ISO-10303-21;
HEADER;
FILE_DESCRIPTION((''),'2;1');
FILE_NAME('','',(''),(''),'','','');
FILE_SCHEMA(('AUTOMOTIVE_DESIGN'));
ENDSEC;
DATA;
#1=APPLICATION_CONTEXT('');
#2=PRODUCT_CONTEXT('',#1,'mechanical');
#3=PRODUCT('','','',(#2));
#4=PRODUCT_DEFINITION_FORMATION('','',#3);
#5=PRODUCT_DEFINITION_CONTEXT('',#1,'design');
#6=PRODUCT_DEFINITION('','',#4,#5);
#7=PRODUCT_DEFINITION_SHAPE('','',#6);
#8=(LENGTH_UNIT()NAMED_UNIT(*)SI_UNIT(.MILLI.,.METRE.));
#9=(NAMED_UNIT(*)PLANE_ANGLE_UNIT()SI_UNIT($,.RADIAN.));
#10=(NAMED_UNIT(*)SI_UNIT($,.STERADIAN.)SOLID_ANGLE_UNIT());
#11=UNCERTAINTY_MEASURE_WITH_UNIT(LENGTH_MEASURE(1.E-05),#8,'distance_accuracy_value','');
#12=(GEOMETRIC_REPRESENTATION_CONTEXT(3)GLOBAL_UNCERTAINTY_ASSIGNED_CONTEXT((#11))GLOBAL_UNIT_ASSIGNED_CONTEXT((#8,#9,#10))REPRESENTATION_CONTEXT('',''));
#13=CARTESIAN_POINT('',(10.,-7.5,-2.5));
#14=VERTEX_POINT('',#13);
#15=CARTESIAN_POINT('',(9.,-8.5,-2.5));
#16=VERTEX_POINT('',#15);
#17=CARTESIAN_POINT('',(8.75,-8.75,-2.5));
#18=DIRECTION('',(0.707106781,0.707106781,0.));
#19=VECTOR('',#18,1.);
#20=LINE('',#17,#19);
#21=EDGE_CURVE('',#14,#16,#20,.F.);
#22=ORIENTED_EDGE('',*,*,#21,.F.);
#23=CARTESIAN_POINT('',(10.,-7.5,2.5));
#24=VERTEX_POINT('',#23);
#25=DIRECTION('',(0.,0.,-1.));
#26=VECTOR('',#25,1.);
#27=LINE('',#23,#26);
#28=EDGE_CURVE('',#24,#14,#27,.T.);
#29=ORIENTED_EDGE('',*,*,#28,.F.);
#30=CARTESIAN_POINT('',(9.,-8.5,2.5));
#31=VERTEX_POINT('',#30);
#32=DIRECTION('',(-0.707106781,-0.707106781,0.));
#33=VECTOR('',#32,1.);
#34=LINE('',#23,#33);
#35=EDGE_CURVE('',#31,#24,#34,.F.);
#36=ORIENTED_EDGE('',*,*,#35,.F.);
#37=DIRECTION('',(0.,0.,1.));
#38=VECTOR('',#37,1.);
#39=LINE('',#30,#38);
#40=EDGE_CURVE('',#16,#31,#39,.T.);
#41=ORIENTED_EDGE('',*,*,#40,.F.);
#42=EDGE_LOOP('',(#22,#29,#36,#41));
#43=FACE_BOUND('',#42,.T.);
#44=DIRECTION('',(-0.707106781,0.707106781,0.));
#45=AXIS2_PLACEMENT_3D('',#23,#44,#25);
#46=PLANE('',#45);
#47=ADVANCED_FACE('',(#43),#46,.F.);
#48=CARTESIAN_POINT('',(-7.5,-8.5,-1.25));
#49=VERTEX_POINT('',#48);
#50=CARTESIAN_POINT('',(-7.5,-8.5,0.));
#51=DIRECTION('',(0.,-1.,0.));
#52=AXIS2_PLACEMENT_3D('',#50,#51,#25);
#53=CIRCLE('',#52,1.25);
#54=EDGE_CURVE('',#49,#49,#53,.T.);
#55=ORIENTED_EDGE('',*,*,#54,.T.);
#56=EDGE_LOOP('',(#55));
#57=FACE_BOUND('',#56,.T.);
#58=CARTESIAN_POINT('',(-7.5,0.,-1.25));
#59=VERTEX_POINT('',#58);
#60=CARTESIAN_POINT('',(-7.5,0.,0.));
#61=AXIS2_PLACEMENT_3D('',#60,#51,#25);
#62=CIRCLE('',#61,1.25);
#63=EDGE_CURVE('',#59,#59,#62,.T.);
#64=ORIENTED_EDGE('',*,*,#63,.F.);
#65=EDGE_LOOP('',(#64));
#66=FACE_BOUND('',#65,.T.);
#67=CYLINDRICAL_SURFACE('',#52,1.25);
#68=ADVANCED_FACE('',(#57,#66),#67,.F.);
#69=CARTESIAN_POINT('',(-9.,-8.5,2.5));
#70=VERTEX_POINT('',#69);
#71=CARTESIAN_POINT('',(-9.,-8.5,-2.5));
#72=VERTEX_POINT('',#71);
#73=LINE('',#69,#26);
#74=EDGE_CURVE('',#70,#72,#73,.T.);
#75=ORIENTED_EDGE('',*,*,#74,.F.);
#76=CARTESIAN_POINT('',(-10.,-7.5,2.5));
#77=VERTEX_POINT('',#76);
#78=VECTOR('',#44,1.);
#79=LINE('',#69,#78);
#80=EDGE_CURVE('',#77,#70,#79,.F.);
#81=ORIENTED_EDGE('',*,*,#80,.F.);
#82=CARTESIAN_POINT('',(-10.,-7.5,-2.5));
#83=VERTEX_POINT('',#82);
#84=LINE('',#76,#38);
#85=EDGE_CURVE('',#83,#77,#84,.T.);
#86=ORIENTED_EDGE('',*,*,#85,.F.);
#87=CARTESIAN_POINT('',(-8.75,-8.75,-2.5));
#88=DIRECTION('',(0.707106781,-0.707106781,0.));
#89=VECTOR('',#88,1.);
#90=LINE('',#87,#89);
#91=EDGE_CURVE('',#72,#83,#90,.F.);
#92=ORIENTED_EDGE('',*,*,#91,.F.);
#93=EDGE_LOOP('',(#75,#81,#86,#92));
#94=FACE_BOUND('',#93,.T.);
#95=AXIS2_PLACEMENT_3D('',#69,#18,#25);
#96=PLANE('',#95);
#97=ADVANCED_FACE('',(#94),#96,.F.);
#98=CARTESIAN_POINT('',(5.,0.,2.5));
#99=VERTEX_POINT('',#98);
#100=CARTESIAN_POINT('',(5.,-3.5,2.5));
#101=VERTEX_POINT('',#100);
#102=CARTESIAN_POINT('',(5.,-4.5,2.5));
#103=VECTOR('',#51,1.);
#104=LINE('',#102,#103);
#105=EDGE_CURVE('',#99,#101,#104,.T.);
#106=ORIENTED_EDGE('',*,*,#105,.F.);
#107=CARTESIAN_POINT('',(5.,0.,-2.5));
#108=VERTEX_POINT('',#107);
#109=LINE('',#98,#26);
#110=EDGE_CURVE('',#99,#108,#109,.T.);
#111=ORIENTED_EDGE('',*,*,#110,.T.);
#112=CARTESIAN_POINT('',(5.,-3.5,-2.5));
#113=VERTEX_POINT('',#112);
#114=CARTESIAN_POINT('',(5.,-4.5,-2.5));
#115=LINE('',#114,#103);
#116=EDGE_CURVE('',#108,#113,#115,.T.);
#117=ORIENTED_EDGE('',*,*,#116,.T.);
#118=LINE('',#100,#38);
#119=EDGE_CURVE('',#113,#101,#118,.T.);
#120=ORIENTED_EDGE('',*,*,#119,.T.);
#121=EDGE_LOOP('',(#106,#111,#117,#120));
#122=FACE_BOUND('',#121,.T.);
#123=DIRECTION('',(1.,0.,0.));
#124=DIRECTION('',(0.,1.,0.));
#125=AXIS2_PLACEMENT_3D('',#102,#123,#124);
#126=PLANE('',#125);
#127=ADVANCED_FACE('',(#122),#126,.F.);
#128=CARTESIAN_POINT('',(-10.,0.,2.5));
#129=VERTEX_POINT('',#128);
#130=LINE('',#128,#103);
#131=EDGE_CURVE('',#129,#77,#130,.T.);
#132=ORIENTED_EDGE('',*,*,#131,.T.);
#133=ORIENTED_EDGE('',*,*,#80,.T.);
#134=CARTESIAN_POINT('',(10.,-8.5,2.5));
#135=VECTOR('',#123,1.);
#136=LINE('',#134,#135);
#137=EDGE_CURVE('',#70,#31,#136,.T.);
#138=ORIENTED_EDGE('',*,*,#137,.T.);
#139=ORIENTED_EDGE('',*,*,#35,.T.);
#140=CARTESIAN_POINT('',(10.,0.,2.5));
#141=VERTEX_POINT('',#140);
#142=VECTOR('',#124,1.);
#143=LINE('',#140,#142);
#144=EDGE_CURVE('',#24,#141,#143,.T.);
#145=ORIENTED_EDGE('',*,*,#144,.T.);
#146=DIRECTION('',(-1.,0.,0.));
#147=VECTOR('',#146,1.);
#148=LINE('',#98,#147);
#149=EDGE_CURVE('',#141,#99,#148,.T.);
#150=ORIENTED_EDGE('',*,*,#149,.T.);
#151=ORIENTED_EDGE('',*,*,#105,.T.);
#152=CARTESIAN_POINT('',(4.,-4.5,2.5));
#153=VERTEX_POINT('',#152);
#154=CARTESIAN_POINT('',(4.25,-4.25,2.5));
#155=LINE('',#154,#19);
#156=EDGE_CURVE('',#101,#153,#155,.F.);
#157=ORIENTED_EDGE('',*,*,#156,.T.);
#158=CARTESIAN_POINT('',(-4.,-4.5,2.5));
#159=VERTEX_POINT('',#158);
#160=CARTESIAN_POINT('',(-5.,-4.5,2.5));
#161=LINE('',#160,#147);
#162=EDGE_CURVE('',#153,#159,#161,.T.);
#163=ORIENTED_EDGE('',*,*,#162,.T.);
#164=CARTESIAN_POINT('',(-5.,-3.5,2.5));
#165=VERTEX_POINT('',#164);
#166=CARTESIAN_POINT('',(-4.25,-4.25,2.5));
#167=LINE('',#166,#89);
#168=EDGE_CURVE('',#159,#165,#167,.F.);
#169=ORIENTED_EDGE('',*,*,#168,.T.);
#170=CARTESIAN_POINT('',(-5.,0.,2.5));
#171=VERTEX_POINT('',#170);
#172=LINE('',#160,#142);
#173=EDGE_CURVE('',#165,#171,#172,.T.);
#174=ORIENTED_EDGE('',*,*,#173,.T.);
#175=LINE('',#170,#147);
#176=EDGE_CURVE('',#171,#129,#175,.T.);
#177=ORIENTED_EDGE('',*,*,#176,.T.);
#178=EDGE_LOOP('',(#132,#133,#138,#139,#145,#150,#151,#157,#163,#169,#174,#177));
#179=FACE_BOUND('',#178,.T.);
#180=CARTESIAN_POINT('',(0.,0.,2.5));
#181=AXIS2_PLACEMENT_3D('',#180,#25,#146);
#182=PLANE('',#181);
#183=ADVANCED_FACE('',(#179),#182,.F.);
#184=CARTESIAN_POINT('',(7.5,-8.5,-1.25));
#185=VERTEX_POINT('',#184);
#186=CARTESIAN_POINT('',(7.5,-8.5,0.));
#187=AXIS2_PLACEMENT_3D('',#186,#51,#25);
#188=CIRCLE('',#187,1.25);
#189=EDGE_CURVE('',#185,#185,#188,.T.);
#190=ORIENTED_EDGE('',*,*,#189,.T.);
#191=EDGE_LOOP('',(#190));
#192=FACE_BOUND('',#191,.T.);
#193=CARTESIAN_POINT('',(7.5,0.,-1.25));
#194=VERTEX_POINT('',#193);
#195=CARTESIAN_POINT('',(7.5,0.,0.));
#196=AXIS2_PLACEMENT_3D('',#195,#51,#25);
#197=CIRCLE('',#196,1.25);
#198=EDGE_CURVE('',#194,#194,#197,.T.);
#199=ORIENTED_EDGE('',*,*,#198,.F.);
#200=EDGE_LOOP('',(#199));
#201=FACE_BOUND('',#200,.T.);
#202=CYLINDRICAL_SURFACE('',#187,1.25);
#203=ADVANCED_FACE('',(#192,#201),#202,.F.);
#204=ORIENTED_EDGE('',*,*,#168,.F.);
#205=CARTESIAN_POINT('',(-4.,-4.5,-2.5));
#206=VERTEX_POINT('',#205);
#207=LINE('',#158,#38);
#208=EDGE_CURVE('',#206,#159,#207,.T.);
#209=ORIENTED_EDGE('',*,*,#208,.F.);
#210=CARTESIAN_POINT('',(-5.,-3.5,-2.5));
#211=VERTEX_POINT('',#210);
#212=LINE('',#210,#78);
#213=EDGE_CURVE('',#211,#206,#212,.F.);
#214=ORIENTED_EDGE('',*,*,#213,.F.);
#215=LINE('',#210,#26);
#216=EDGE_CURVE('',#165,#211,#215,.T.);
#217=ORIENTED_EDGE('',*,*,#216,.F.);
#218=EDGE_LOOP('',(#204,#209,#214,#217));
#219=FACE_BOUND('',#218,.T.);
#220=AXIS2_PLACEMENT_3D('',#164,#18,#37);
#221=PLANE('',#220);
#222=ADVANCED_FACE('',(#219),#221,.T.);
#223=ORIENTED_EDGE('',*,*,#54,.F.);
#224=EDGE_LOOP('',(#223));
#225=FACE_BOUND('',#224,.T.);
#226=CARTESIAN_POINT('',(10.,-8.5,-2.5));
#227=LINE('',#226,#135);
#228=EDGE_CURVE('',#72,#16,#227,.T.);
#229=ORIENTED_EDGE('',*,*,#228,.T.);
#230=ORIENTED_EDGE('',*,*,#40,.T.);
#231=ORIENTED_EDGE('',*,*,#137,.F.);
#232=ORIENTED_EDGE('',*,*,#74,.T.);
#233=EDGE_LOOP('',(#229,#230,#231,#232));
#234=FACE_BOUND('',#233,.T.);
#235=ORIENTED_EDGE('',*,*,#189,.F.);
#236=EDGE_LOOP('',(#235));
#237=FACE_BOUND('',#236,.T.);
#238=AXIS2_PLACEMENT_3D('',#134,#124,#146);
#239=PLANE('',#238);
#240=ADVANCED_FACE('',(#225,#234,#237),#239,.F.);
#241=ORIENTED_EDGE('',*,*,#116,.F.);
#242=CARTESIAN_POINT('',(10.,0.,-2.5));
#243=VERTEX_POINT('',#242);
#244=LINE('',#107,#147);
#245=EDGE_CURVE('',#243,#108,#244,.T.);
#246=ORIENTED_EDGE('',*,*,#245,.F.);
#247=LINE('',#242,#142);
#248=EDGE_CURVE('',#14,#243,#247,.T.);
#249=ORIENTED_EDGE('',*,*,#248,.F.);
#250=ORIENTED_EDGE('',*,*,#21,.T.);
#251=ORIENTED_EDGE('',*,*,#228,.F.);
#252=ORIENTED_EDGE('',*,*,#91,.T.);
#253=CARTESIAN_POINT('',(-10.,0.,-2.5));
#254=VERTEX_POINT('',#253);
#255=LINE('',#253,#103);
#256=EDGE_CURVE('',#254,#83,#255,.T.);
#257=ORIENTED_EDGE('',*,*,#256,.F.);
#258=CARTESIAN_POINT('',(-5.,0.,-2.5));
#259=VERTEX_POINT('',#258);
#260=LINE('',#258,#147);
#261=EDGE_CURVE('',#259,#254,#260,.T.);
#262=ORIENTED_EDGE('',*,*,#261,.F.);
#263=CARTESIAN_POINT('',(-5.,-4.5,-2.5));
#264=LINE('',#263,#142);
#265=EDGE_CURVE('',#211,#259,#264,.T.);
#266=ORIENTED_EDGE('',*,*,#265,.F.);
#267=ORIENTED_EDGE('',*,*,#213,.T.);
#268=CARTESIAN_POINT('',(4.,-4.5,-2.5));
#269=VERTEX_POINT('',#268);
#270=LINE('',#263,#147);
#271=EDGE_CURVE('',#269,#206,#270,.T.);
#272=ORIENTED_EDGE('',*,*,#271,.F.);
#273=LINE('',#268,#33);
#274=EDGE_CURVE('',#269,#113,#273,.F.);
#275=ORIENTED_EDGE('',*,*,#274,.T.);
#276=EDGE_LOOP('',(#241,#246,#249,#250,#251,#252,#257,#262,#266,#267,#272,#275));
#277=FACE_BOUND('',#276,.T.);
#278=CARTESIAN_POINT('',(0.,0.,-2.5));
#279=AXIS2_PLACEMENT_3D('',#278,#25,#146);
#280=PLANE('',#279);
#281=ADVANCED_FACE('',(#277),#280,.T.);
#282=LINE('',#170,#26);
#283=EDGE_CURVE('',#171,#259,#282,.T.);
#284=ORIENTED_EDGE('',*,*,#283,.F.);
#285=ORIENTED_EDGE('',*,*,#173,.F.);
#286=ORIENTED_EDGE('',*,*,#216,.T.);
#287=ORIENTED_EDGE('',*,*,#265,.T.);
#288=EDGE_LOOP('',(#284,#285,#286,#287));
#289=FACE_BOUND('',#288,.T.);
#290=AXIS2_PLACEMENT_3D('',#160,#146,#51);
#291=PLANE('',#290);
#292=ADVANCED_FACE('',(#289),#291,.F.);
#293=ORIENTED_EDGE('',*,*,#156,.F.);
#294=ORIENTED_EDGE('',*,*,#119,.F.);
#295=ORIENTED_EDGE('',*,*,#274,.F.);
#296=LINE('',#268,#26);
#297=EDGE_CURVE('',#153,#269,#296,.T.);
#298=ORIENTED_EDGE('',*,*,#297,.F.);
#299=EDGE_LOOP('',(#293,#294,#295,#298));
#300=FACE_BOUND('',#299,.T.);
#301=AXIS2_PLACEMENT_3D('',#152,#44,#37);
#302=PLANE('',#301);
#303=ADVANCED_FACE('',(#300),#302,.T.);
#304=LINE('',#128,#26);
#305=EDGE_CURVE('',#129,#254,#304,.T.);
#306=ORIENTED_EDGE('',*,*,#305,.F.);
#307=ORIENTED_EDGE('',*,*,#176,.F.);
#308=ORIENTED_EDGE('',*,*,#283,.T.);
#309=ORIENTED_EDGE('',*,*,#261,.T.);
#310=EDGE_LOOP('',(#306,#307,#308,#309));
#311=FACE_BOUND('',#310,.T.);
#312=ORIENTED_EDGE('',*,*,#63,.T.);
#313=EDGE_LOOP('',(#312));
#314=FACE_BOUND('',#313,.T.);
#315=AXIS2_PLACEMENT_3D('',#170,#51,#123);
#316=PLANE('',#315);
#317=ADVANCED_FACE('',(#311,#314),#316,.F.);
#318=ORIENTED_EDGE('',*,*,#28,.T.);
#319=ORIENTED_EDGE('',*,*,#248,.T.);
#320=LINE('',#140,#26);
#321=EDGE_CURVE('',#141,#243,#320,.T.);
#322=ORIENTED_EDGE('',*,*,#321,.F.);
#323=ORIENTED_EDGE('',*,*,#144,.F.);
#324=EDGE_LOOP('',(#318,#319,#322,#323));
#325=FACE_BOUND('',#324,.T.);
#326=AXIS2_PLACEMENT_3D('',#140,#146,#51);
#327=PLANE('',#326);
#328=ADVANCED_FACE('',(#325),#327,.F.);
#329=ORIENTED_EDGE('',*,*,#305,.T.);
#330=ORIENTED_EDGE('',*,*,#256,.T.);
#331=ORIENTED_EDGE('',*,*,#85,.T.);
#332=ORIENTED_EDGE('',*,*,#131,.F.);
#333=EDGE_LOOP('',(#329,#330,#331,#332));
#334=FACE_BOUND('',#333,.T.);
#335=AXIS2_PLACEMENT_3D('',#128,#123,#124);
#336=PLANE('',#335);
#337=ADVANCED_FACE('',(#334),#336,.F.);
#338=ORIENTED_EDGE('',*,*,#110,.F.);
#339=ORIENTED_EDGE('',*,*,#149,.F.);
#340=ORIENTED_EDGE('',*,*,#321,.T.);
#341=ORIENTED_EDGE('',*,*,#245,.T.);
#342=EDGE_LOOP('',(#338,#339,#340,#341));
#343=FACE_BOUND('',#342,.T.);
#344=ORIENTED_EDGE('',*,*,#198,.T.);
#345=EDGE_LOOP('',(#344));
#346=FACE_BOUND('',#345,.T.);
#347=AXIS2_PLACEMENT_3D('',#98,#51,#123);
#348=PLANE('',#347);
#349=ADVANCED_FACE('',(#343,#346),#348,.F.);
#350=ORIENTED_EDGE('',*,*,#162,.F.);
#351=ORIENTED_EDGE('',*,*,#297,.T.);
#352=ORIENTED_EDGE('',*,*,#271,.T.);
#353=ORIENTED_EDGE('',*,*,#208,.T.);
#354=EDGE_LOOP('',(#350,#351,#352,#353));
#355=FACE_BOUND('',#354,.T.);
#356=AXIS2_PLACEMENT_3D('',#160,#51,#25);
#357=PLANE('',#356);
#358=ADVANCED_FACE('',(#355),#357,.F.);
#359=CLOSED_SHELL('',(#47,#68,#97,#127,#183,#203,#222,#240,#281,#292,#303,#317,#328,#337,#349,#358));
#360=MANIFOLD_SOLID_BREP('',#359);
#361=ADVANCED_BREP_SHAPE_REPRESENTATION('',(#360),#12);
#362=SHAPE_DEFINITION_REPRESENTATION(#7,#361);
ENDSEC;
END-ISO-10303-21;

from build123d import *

# Parameters (mm, degrees)
EXTRUDE_1_DEPTH    = 2.5
HOLE_WIZARD_M3_1_D = 2.5
CHAMFER_1_SIZE     = 1


with BuildPart() as part:
    # 草图1 → 凸台-拉伸1 (new, symmetric)
    with BuildSketch(Plane.XY):
        Polygon((-5, -4.5), (5, -4.5), (5, 0), (10, 0), (10, -8.5), (-10, -8.5), (-10, 0), (-5, 0), align=None)
    extrude(amount=EXTRUDE_1_DEPTH, both=True)

    # M3 螺纹孔1 (through all)
    with Locations(Plane(origin=(0, -8.5, 0), x_dir=(-1, 0, 0), z_dir=(0, -1, 0))):
        with Locations((7.5, 0), (-7.5, 0)):
            Hole(HOLE_WIZARD_M3_1_D / 2)

    # 倒角1
    chamfer_1_edges = [part.edges().sort_by_distance(p)[0] for p in [
        (10, -8.5, 0),
        (-10, -8.5, 0),
        (-5, -4.5, 0),
        (5, -4.5, 0),
    ]]
    chamfer(chamfer_1_edges, length=CHAMFER_1_SIZE)


solid = part.part
